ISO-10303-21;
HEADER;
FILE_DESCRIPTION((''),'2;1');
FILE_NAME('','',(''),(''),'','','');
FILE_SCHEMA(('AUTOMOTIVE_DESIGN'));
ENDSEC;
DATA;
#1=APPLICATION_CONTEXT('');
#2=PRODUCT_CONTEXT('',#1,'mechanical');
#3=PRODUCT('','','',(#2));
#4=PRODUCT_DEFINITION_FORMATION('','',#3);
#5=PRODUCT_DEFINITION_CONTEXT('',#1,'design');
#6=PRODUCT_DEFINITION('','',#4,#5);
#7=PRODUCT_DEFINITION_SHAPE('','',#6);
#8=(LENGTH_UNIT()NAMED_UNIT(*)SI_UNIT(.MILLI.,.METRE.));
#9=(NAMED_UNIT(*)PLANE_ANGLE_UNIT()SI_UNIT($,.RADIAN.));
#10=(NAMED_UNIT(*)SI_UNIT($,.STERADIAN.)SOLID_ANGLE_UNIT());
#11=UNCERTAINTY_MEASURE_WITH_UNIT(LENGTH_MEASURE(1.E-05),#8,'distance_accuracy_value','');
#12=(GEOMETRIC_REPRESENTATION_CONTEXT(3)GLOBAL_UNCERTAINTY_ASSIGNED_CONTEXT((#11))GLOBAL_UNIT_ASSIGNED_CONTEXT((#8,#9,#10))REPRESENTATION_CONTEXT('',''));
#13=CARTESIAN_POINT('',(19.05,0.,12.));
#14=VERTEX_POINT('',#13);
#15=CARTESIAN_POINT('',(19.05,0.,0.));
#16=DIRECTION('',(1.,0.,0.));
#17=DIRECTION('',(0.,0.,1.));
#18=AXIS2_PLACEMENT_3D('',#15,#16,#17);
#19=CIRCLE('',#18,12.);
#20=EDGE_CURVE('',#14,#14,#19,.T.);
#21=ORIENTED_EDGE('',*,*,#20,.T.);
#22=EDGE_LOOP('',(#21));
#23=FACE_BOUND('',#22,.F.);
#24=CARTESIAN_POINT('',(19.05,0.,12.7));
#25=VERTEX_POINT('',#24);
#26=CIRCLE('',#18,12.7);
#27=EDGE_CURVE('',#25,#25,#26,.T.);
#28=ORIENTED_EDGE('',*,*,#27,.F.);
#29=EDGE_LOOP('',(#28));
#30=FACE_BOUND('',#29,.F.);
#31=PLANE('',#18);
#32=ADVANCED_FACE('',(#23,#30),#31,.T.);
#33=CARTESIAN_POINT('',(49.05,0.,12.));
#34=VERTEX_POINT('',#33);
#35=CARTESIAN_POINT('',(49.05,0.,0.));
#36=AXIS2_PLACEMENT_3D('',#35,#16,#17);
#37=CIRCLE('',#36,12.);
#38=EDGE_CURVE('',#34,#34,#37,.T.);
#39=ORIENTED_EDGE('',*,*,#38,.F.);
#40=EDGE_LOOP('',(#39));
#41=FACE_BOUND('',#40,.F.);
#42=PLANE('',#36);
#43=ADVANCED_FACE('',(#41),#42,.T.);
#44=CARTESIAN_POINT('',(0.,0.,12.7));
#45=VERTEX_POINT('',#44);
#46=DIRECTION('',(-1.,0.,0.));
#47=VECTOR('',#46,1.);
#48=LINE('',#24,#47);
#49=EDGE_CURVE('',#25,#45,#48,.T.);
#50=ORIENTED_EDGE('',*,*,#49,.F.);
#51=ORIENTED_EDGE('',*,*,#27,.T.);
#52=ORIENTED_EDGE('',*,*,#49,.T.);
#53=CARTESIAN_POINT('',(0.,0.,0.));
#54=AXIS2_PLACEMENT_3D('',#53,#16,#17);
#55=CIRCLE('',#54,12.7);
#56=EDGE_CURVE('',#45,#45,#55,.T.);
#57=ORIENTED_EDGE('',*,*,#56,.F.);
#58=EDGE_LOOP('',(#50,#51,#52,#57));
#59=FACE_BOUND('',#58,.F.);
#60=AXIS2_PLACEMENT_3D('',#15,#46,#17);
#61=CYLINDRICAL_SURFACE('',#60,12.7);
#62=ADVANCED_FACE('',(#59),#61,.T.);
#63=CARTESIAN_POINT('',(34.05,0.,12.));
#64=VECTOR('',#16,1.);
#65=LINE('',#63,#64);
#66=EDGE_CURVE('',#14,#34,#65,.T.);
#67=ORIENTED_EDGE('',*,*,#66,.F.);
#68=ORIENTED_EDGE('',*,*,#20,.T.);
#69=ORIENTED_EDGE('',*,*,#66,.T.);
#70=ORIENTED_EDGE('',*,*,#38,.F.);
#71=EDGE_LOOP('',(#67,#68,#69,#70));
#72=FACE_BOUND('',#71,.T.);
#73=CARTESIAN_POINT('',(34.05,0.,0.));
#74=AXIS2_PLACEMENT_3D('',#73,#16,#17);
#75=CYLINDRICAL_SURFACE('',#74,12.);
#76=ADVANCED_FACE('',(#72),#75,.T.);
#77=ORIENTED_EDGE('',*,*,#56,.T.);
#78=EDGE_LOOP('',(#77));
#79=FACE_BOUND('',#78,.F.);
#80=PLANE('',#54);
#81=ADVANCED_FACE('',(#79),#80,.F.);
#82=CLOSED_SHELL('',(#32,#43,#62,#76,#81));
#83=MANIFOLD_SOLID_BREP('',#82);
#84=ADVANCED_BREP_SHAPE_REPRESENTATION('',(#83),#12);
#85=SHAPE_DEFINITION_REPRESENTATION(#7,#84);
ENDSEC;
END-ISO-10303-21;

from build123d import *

# Parameters (mm, degrees)
F0_W = 30
F0_H = 12


with BuildPart() as f1:
    # F0 (on Front) → F1 (revolve)
    with BuildSketch(Plane.XZ):
        Polygon((0, 12.7), (0, 0), (19.05, 0), (19.05, 12), (19.05, 12.7), align=None)
        with Locations((34.05, 6)):
            Rectangle(F0_W, F0_H)
    revolve(axis=Axis((34.05, 0, 0), (1, 0, 0)))


solid = f1.part
